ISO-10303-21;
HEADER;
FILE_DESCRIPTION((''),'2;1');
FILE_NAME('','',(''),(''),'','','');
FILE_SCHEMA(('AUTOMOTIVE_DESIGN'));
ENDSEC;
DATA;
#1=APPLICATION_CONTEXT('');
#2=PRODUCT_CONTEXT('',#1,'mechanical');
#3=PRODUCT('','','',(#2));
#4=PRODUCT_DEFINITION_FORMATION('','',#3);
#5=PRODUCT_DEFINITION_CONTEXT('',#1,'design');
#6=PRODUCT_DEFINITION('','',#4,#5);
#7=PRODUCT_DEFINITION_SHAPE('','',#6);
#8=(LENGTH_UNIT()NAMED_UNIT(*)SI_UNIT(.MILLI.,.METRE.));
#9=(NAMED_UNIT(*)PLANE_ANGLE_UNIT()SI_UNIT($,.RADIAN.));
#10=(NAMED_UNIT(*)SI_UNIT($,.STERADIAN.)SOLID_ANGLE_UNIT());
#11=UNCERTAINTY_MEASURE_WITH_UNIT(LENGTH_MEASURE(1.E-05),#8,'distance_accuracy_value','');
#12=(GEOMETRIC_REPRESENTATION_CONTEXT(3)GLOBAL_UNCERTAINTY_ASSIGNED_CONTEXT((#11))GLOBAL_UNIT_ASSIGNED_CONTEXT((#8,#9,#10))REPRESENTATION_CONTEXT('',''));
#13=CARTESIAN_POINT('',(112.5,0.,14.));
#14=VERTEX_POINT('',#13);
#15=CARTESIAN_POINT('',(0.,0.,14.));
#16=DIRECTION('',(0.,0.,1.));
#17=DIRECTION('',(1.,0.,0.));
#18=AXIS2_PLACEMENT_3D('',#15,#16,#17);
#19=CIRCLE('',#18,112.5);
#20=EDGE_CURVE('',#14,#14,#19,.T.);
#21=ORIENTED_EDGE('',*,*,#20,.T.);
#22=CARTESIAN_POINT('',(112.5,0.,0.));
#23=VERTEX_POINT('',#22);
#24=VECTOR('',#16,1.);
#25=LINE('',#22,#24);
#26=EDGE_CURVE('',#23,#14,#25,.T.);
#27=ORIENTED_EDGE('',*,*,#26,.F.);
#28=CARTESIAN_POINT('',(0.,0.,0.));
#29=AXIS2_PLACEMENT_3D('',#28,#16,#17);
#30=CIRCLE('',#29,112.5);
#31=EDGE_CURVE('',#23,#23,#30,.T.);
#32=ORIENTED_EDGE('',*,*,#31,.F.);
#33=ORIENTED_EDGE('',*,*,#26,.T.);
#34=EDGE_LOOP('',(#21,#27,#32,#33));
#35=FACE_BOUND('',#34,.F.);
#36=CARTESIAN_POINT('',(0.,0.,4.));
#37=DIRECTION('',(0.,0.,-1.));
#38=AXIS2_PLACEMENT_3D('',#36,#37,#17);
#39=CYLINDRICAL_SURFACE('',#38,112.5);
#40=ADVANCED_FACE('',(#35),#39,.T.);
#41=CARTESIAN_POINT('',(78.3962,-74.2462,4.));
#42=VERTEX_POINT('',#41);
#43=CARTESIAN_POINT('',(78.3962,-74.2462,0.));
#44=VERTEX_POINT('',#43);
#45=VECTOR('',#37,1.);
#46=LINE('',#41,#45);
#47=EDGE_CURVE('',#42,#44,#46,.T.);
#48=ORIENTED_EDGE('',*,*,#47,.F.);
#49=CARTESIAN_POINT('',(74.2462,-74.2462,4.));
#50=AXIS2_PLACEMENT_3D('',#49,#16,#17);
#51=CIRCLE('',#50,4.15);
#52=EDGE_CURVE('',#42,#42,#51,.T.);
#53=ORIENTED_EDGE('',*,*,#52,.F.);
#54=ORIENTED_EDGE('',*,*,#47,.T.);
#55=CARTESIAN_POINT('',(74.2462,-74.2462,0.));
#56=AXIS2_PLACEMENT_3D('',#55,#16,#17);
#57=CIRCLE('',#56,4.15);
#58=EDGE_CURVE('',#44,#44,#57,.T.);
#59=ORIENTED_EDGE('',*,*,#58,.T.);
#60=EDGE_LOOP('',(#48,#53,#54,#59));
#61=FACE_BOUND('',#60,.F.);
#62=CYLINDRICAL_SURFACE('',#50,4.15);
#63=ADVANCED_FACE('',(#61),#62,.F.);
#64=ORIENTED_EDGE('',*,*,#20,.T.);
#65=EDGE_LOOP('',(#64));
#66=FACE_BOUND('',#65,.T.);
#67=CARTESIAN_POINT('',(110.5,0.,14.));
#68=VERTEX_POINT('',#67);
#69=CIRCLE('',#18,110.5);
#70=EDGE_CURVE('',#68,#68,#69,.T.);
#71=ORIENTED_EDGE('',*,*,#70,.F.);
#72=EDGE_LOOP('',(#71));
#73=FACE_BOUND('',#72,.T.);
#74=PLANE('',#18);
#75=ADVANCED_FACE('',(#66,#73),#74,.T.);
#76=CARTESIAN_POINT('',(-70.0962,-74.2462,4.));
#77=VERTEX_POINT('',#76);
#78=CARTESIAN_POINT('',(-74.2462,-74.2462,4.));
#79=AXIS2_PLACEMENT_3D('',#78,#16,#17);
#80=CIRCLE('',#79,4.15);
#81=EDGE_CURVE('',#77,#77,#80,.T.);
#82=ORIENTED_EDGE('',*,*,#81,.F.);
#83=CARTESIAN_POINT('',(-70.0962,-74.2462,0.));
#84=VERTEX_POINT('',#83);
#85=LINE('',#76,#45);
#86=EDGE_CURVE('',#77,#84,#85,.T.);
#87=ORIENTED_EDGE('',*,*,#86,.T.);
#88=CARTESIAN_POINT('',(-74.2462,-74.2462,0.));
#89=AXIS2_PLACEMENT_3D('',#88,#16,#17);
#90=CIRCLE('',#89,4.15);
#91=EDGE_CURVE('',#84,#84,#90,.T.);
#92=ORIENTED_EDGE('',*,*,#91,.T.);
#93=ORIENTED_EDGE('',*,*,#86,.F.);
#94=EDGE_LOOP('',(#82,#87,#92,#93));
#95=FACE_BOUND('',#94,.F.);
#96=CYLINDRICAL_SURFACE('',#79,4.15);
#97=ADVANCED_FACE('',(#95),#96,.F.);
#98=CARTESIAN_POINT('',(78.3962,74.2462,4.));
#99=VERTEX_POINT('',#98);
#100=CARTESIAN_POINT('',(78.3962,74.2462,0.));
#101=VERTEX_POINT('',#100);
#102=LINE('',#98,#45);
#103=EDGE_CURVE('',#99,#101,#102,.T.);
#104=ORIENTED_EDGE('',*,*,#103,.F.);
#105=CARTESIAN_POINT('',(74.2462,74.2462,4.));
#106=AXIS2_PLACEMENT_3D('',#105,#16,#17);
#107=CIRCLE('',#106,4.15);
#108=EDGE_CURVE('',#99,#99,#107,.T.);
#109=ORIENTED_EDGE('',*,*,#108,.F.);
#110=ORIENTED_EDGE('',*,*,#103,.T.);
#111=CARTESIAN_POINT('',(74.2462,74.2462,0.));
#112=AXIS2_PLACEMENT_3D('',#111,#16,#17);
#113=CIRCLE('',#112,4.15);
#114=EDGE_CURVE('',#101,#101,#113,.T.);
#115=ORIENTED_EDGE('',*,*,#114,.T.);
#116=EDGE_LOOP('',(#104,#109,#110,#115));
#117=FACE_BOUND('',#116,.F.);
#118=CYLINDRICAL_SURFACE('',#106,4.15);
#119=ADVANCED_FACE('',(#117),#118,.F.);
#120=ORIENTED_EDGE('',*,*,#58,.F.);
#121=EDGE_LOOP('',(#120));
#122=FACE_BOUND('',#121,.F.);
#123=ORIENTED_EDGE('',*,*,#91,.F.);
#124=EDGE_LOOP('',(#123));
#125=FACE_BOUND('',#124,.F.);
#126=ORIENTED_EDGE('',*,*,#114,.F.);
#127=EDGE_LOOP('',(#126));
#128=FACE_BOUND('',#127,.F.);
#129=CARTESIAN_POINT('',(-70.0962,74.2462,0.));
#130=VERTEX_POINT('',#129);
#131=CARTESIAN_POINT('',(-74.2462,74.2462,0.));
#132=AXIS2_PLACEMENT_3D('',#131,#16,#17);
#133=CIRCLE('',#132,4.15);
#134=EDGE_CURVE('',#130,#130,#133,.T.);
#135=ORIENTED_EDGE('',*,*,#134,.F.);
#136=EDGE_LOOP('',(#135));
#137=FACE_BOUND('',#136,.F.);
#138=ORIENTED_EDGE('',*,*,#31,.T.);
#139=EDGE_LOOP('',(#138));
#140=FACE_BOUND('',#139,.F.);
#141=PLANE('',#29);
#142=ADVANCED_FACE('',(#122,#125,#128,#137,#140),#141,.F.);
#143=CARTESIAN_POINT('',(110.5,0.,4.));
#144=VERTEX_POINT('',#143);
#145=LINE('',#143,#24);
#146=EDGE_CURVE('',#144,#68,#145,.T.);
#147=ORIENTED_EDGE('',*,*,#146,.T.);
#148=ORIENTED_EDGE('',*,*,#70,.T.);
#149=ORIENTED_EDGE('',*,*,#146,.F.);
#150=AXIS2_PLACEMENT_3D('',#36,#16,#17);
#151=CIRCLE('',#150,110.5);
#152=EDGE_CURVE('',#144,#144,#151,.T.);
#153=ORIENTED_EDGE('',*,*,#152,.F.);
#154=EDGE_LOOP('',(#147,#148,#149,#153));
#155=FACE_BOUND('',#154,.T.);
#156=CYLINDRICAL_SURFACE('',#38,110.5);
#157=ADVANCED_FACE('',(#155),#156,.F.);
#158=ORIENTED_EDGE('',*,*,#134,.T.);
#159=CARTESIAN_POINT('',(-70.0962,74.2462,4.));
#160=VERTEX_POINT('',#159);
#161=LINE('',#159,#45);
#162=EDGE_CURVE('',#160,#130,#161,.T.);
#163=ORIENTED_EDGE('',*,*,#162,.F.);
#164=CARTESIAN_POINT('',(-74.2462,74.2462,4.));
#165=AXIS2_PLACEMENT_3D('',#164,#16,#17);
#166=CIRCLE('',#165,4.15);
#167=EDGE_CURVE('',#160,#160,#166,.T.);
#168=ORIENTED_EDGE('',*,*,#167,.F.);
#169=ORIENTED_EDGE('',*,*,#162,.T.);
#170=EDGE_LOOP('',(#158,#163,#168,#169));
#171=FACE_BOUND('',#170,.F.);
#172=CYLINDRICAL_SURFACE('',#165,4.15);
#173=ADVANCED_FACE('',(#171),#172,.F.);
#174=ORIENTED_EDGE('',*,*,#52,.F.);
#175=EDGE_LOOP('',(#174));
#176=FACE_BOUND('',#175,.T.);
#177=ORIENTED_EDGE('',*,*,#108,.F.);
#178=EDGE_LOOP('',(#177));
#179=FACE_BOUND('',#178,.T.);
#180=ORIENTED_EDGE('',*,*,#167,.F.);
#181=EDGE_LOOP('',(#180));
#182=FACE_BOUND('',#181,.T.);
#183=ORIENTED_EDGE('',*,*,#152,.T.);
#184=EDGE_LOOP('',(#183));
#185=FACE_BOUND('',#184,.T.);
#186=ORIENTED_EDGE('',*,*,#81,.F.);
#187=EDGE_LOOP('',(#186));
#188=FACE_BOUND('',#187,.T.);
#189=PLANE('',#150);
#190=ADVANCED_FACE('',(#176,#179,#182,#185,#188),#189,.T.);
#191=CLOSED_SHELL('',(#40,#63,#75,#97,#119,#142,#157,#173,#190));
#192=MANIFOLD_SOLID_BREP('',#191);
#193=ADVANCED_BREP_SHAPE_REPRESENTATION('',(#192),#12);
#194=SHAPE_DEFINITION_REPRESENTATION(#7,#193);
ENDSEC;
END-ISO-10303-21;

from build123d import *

# Parameters (mm, degrees)
F0_R     = 112.5
F1_DEPTH = 4
F2_R     = 4.15
F3_DEPTH = 25
F4_R     = 112.5
F4_R_2   = 110.5
F5_DEPTH = 10


with BuildPart() as f1:
    # F0 (on Top) → F1 (new body)
    with BuildSketch(Plane.XY):
        Circle(F0_R)
    extrude(amount=F1_DEPTH)

    # F2 (on face) → F3 (cut)
    with BuildSketch(Plane.XY.offset(4)):
        with Locations((-74.2462, 74.2462)):
            Circle(F2_R)
        with Locations((-74.2462, -74.2462)):
            Circle(F2_R)
        with Locations((74.2462, -74.2462)):
            Circle(F2_R)
        with Locations((74.2462, 74.2462)):
            Circle(F2_R)
    extrude(amount=-F3_DEPTH, mode=Mode.SUBTRACT)

    # F4 (on face) → F5 (join)
    with BuildSketch(Plane.XY.offset(4)):
        Circle(F4_R)
        Circle(F4_R_2, mode=Mode.SUBTRACT)
    extrude(amount=F5_DEPTH)


solid = f1.part
